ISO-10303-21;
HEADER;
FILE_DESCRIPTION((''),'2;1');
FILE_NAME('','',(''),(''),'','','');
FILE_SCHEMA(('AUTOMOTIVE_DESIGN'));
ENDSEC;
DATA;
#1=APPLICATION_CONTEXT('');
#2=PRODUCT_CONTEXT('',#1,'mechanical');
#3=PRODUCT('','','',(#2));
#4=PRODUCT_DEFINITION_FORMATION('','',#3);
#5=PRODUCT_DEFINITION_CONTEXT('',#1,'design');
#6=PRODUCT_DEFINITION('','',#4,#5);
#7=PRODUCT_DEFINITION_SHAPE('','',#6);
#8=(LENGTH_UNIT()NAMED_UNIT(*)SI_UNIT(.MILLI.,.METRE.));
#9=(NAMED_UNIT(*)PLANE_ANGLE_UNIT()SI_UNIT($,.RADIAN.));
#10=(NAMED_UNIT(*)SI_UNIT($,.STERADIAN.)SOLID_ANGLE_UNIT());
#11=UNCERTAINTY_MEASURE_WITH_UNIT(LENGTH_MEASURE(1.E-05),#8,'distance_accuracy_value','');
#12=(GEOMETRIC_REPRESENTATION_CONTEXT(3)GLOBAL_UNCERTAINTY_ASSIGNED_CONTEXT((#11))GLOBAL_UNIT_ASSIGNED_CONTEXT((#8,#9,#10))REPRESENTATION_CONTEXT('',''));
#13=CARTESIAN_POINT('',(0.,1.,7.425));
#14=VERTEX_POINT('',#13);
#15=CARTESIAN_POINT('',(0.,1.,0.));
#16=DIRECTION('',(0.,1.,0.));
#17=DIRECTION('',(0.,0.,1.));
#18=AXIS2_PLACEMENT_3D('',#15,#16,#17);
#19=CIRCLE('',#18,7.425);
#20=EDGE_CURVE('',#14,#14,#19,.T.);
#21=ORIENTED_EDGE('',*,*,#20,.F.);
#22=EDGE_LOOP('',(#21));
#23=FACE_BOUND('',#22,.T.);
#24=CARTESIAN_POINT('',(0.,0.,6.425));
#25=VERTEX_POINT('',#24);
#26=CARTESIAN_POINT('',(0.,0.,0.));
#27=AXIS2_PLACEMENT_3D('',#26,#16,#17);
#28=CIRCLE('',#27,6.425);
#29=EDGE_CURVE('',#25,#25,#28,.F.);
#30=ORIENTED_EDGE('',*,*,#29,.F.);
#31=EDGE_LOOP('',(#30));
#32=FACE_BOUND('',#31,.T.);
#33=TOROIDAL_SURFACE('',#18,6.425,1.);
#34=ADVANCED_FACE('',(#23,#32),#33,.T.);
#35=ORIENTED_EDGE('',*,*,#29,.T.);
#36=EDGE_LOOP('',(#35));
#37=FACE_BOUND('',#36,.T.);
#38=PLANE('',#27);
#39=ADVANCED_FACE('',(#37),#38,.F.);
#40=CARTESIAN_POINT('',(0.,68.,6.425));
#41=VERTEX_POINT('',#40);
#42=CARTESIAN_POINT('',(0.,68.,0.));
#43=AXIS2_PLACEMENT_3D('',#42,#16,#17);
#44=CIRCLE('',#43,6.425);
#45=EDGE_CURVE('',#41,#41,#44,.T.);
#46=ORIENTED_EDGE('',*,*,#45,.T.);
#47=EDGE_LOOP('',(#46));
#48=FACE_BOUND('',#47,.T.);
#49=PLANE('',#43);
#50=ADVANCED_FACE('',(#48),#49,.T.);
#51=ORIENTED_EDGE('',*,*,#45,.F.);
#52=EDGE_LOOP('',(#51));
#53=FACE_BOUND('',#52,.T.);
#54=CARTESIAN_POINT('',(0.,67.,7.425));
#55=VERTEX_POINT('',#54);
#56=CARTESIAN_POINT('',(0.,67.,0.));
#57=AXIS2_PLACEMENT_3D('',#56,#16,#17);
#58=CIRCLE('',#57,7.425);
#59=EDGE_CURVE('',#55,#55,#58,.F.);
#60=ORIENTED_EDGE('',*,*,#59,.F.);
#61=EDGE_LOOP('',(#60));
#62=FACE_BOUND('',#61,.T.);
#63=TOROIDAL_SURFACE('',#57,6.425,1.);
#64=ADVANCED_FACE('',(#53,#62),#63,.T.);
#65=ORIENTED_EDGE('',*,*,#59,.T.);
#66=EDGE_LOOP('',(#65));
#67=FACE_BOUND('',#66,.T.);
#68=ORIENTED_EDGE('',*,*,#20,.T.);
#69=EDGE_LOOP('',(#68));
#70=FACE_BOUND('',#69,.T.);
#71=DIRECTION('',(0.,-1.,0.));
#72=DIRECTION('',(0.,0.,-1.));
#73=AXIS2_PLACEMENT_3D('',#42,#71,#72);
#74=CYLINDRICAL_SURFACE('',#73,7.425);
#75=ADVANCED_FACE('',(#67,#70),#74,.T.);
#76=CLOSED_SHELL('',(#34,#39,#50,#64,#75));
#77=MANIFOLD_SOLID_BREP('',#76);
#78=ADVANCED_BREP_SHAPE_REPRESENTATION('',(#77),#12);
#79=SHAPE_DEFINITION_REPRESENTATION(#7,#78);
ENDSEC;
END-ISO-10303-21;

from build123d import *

# Parameters (mm, degrees)
CROQUIS1_R              = 7.425
SALIENTE_EXTRUIR1_DEPTH = 68
REDONDEO1_R             = 1


with BuildPart() as part:
    # Croquis1 → Saliente-Extruir1 (new body)
    with BuildSketch(Plane(origin=(0, 0, 0), x_dir=(1, 0, 0), z_dir=(0, 1, 0))):
        with Locations(Location((0, 0, 0), (0, 0, 270))):
            Circle(CROQUIS1_R)
    extrude(amount=SALIENTE_EXTRUIR1_DEPTH)

    # Redondeo1
    redondeo1_edges = [part.edges().sort_by_distance(p)[0] for p in [
        (0, 0, -7.425),
        (0, 68, -7.425),
    ]]
    fillet(redondeo1_edges, radius=REDONDEO1_R)


solid = part.part
